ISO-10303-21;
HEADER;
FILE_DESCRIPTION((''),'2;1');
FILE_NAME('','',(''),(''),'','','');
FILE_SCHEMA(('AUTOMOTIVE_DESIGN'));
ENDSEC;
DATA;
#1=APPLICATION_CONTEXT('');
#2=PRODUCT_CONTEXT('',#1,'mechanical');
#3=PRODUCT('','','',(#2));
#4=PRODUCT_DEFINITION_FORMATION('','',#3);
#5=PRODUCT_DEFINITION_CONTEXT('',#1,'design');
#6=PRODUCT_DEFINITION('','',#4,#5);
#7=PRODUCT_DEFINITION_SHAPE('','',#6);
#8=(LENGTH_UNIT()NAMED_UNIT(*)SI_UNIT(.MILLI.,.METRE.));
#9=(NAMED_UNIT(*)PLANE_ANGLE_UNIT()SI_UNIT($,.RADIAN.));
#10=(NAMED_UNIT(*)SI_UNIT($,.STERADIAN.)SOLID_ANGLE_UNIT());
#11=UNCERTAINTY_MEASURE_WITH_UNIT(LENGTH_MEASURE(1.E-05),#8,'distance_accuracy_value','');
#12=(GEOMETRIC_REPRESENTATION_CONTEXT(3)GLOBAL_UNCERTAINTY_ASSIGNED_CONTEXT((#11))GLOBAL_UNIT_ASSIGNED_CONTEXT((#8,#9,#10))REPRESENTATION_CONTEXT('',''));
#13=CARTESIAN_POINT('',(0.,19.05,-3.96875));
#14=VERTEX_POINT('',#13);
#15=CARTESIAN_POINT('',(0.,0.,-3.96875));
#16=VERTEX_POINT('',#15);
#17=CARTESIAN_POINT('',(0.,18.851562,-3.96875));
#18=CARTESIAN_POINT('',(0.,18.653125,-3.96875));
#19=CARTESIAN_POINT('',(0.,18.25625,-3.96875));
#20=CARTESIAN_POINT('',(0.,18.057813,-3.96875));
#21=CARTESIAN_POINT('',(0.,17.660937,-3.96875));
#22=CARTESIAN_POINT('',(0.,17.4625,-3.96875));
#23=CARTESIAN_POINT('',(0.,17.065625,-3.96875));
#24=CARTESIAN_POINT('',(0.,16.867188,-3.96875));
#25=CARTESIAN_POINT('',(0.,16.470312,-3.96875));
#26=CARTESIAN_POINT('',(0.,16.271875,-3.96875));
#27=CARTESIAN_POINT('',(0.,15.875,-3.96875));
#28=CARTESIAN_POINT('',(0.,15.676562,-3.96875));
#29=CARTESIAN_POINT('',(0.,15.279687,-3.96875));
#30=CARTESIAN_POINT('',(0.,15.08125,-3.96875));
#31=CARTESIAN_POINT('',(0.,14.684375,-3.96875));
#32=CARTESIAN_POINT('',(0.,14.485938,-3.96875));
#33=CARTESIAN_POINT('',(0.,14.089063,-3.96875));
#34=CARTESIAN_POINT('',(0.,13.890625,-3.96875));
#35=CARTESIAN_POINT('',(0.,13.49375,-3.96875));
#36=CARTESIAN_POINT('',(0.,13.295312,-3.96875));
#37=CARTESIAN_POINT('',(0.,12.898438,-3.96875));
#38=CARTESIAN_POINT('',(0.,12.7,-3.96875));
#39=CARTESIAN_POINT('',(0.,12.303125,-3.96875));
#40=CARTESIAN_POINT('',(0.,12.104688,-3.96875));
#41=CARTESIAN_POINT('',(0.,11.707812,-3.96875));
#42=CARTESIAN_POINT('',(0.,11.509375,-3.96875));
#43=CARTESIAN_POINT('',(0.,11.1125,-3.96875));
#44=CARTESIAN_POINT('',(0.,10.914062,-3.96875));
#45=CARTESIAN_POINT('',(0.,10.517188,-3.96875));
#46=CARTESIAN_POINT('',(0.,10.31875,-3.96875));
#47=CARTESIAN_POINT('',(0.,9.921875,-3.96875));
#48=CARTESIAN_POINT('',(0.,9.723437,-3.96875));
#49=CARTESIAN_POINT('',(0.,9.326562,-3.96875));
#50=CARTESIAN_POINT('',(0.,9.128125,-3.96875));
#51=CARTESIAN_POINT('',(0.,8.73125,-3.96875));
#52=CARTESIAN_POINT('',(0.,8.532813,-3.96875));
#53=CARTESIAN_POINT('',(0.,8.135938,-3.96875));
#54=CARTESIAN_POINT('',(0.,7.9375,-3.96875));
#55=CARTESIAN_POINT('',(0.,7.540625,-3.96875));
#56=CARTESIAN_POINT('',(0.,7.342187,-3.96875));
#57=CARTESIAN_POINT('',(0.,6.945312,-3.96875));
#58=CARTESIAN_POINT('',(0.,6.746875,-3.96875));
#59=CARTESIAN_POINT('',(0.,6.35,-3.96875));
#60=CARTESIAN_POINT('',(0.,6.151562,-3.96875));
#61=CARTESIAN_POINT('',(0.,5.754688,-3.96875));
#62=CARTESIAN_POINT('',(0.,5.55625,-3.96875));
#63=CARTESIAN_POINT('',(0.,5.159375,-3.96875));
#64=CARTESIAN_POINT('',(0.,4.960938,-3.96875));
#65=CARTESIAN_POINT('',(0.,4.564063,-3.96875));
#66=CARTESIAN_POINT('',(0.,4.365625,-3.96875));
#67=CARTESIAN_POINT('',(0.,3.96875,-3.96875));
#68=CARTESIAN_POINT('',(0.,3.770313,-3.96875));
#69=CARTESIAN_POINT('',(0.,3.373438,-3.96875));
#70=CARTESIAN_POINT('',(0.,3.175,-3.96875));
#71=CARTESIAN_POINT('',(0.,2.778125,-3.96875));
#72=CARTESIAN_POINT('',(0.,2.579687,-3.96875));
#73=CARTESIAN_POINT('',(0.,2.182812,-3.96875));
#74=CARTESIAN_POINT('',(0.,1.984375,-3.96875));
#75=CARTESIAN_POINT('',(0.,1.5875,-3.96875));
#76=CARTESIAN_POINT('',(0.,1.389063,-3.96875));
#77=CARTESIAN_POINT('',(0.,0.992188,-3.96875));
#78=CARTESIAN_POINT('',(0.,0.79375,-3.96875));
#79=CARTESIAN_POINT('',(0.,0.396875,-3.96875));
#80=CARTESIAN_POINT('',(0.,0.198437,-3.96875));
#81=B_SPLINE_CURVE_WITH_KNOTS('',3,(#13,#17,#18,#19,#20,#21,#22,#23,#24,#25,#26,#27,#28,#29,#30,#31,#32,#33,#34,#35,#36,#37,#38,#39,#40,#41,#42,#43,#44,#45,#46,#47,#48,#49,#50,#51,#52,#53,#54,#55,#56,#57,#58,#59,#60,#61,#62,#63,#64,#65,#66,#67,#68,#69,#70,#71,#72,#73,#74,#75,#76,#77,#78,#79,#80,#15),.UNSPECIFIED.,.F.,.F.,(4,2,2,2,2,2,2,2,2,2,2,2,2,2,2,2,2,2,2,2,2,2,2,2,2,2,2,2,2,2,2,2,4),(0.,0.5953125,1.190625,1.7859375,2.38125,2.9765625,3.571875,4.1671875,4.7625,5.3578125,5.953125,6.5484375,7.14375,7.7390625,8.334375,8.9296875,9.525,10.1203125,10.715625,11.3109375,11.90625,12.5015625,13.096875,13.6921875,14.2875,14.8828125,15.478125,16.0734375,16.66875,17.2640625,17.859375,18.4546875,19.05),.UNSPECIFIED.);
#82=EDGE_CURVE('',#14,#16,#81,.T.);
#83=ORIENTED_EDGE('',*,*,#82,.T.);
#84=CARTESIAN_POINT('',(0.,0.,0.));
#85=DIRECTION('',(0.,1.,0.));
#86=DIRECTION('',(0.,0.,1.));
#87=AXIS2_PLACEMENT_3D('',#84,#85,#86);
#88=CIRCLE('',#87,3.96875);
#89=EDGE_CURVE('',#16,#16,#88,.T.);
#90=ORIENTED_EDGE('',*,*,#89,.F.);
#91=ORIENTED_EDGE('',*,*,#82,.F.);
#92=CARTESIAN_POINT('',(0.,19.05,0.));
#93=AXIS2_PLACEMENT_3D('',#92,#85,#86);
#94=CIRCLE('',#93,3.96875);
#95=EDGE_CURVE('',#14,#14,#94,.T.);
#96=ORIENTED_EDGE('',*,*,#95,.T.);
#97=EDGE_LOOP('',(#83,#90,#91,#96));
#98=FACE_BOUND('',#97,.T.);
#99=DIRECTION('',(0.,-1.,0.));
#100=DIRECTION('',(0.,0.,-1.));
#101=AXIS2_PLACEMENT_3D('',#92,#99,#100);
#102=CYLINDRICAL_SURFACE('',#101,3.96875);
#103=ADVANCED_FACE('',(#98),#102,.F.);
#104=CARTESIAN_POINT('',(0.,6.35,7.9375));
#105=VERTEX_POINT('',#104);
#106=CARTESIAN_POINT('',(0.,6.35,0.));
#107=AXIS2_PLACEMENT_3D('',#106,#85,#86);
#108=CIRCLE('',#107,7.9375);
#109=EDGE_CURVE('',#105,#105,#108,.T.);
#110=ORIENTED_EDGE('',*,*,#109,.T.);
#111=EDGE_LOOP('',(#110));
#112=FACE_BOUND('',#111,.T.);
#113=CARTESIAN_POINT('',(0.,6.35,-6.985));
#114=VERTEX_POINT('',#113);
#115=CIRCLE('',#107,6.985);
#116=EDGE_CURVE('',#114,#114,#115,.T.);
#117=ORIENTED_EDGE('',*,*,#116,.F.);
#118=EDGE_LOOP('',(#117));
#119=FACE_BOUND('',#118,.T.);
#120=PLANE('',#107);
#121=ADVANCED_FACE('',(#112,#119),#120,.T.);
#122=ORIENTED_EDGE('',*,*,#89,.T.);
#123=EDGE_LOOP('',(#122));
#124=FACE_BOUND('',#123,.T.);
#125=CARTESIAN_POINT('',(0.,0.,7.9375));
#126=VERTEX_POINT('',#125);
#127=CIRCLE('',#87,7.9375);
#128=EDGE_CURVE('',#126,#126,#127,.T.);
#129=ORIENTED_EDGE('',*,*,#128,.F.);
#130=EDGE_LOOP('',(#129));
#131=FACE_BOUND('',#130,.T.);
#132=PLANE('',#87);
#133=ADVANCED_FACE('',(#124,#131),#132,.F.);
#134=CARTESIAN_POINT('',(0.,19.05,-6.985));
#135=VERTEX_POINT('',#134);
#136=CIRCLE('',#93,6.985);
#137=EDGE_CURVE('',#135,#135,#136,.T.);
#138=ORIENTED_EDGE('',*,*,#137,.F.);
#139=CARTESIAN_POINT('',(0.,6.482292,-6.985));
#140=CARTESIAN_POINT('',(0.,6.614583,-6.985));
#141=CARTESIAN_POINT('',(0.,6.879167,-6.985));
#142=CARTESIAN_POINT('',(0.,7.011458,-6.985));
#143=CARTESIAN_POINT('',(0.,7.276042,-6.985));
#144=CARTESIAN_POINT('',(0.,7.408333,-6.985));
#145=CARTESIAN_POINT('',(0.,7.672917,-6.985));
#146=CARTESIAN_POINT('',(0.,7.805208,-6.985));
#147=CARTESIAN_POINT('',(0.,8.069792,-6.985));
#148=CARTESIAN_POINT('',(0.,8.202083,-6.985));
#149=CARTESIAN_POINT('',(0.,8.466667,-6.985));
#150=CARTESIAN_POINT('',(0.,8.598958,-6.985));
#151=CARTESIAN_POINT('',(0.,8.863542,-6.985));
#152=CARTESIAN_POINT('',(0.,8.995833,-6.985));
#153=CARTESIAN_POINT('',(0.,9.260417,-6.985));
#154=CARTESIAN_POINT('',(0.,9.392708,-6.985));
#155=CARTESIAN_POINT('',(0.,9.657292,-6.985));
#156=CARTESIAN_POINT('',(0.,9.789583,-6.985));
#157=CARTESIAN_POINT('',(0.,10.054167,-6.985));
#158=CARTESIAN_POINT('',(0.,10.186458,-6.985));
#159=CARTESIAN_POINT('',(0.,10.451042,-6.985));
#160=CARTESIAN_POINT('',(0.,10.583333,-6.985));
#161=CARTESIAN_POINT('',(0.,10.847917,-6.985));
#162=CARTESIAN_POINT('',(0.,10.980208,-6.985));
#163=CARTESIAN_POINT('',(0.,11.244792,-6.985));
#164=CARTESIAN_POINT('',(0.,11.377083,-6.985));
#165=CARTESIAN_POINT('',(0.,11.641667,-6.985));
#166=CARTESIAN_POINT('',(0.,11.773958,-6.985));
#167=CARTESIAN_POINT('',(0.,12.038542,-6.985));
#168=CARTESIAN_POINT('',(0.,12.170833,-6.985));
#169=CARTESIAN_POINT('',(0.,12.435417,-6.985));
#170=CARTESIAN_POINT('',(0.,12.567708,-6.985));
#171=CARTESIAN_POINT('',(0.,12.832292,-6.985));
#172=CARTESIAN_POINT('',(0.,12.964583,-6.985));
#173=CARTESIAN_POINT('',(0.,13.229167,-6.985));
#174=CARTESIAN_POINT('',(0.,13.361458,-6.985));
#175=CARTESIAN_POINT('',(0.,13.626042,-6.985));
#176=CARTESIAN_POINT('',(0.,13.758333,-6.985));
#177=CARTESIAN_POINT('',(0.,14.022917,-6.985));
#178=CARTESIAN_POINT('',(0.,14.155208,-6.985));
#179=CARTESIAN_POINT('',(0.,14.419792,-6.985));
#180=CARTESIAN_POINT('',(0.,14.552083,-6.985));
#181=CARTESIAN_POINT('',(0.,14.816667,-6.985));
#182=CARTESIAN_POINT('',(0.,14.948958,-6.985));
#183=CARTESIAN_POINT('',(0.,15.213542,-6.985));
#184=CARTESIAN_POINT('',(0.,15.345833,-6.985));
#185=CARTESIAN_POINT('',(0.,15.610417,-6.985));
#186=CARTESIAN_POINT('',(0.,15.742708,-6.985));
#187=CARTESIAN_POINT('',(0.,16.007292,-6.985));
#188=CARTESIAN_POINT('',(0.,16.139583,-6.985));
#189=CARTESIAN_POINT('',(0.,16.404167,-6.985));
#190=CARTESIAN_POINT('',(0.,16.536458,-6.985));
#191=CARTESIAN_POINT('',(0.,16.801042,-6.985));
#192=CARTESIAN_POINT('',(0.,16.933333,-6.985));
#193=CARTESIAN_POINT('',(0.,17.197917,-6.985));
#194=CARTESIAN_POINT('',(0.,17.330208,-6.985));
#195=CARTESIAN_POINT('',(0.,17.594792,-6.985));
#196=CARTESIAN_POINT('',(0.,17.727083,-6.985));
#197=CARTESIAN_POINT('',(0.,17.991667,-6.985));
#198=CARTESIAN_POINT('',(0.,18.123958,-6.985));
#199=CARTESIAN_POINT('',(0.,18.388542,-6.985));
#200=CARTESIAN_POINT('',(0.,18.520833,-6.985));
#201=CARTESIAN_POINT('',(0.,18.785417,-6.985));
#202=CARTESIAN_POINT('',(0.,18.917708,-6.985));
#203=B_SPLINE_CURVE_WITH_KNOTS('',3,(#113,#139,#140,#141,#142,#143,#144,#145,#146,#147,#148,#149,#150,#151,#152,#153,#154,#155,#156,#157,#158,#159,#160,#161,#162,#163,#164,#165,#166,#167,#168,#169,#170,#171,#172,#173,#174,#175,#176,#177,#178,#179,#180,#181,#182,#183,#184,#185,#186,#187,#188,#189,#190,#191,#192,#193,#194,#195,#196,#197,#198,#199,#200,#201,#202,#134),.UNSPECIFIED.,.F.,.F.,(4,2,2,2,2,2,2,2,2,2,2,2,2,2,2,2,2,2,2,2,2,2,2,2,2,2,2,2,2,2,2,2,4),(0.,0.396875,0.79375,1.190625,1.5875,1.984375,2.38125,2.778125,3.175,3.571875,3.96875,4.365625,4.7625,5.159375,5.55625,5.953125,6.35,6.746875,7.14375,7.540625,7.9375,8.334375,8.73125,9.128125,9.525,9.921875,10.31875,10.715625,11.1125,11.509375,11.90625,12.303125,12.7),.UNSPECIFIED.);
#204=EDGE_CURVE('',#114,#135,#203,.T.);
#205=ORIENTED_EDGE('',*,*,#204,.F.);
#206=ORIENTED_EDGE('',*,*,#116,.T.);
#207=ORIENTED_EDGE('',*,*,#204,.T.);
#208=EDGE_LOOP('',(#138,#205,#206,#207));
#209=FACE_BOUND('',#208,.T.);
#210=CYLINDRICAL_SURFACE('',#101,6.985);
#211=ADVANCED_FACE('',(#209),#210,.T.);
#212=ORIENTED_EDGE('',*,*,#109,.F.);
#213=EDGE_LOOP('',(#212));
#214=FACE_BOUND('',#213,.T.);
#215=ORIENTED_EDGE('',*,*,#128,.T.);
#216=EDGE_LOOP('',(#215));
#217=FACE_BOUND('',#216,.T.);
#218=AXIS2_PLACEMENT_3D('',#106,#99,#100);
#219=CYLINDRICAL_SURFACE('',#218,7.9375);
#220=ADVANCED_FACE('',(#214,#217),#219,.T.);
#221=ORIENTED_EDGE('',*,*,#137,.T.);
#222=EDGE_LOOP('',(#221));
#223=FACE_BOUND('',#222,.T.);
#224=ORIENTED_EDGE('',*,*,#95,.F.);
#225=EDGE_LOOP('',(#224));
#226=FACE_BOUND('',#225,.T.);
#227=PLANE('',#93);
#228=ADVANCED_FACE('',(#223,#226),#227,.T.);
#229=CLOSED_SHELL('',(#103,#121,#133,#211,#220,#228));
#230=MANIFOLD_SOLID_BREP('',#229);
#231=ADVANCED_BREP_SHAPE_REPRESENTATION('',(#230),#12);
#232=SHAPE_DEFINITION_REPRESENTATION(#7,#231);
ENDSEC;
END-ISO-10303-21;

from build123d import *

# Parameters (mm, degrees)
SKETCH1_R           = 6.985
SKETCH1_R_2         = 3.96875
BOSS_EXTRUDE1_DEPTH = 19.05
SKETCH2_3_R         = 7.9375
SKETCH2_3_R_2       = 6.985
BOSS_EXTRUDE2_DEPTH = 6.35


with BuildPart() as part:
    # Sketch1 → Boss-Extrude1 (new body)
    with BuildSketch(Plane(origin=(0, 0, 0), x_dir=(1, 0, 0), z_dir=(0, 1, 0))):
        Circle(SKETCH1_R)
        Circle(SKETCH1_R_2, mode=Mode.SUBTRACT)
    extrude(amount=BOSS_EXTRUDE1_DEPTH)

    # Sketch2<3> → Boss-Extrude2 (add)
    with BuildSketch(Plane(origin=(0, 0, 0), x_dir=(1, 0, 0), z_dir=(0, 1, 0))):
        Circle(SKETCH2_3_R)
        Circle(SKETCH2_3_R_2, mode=Mode.SUBTRACT)
    extrude(amount=BOSS_EXTRUDE2_DEPTH)


solid = part.part
